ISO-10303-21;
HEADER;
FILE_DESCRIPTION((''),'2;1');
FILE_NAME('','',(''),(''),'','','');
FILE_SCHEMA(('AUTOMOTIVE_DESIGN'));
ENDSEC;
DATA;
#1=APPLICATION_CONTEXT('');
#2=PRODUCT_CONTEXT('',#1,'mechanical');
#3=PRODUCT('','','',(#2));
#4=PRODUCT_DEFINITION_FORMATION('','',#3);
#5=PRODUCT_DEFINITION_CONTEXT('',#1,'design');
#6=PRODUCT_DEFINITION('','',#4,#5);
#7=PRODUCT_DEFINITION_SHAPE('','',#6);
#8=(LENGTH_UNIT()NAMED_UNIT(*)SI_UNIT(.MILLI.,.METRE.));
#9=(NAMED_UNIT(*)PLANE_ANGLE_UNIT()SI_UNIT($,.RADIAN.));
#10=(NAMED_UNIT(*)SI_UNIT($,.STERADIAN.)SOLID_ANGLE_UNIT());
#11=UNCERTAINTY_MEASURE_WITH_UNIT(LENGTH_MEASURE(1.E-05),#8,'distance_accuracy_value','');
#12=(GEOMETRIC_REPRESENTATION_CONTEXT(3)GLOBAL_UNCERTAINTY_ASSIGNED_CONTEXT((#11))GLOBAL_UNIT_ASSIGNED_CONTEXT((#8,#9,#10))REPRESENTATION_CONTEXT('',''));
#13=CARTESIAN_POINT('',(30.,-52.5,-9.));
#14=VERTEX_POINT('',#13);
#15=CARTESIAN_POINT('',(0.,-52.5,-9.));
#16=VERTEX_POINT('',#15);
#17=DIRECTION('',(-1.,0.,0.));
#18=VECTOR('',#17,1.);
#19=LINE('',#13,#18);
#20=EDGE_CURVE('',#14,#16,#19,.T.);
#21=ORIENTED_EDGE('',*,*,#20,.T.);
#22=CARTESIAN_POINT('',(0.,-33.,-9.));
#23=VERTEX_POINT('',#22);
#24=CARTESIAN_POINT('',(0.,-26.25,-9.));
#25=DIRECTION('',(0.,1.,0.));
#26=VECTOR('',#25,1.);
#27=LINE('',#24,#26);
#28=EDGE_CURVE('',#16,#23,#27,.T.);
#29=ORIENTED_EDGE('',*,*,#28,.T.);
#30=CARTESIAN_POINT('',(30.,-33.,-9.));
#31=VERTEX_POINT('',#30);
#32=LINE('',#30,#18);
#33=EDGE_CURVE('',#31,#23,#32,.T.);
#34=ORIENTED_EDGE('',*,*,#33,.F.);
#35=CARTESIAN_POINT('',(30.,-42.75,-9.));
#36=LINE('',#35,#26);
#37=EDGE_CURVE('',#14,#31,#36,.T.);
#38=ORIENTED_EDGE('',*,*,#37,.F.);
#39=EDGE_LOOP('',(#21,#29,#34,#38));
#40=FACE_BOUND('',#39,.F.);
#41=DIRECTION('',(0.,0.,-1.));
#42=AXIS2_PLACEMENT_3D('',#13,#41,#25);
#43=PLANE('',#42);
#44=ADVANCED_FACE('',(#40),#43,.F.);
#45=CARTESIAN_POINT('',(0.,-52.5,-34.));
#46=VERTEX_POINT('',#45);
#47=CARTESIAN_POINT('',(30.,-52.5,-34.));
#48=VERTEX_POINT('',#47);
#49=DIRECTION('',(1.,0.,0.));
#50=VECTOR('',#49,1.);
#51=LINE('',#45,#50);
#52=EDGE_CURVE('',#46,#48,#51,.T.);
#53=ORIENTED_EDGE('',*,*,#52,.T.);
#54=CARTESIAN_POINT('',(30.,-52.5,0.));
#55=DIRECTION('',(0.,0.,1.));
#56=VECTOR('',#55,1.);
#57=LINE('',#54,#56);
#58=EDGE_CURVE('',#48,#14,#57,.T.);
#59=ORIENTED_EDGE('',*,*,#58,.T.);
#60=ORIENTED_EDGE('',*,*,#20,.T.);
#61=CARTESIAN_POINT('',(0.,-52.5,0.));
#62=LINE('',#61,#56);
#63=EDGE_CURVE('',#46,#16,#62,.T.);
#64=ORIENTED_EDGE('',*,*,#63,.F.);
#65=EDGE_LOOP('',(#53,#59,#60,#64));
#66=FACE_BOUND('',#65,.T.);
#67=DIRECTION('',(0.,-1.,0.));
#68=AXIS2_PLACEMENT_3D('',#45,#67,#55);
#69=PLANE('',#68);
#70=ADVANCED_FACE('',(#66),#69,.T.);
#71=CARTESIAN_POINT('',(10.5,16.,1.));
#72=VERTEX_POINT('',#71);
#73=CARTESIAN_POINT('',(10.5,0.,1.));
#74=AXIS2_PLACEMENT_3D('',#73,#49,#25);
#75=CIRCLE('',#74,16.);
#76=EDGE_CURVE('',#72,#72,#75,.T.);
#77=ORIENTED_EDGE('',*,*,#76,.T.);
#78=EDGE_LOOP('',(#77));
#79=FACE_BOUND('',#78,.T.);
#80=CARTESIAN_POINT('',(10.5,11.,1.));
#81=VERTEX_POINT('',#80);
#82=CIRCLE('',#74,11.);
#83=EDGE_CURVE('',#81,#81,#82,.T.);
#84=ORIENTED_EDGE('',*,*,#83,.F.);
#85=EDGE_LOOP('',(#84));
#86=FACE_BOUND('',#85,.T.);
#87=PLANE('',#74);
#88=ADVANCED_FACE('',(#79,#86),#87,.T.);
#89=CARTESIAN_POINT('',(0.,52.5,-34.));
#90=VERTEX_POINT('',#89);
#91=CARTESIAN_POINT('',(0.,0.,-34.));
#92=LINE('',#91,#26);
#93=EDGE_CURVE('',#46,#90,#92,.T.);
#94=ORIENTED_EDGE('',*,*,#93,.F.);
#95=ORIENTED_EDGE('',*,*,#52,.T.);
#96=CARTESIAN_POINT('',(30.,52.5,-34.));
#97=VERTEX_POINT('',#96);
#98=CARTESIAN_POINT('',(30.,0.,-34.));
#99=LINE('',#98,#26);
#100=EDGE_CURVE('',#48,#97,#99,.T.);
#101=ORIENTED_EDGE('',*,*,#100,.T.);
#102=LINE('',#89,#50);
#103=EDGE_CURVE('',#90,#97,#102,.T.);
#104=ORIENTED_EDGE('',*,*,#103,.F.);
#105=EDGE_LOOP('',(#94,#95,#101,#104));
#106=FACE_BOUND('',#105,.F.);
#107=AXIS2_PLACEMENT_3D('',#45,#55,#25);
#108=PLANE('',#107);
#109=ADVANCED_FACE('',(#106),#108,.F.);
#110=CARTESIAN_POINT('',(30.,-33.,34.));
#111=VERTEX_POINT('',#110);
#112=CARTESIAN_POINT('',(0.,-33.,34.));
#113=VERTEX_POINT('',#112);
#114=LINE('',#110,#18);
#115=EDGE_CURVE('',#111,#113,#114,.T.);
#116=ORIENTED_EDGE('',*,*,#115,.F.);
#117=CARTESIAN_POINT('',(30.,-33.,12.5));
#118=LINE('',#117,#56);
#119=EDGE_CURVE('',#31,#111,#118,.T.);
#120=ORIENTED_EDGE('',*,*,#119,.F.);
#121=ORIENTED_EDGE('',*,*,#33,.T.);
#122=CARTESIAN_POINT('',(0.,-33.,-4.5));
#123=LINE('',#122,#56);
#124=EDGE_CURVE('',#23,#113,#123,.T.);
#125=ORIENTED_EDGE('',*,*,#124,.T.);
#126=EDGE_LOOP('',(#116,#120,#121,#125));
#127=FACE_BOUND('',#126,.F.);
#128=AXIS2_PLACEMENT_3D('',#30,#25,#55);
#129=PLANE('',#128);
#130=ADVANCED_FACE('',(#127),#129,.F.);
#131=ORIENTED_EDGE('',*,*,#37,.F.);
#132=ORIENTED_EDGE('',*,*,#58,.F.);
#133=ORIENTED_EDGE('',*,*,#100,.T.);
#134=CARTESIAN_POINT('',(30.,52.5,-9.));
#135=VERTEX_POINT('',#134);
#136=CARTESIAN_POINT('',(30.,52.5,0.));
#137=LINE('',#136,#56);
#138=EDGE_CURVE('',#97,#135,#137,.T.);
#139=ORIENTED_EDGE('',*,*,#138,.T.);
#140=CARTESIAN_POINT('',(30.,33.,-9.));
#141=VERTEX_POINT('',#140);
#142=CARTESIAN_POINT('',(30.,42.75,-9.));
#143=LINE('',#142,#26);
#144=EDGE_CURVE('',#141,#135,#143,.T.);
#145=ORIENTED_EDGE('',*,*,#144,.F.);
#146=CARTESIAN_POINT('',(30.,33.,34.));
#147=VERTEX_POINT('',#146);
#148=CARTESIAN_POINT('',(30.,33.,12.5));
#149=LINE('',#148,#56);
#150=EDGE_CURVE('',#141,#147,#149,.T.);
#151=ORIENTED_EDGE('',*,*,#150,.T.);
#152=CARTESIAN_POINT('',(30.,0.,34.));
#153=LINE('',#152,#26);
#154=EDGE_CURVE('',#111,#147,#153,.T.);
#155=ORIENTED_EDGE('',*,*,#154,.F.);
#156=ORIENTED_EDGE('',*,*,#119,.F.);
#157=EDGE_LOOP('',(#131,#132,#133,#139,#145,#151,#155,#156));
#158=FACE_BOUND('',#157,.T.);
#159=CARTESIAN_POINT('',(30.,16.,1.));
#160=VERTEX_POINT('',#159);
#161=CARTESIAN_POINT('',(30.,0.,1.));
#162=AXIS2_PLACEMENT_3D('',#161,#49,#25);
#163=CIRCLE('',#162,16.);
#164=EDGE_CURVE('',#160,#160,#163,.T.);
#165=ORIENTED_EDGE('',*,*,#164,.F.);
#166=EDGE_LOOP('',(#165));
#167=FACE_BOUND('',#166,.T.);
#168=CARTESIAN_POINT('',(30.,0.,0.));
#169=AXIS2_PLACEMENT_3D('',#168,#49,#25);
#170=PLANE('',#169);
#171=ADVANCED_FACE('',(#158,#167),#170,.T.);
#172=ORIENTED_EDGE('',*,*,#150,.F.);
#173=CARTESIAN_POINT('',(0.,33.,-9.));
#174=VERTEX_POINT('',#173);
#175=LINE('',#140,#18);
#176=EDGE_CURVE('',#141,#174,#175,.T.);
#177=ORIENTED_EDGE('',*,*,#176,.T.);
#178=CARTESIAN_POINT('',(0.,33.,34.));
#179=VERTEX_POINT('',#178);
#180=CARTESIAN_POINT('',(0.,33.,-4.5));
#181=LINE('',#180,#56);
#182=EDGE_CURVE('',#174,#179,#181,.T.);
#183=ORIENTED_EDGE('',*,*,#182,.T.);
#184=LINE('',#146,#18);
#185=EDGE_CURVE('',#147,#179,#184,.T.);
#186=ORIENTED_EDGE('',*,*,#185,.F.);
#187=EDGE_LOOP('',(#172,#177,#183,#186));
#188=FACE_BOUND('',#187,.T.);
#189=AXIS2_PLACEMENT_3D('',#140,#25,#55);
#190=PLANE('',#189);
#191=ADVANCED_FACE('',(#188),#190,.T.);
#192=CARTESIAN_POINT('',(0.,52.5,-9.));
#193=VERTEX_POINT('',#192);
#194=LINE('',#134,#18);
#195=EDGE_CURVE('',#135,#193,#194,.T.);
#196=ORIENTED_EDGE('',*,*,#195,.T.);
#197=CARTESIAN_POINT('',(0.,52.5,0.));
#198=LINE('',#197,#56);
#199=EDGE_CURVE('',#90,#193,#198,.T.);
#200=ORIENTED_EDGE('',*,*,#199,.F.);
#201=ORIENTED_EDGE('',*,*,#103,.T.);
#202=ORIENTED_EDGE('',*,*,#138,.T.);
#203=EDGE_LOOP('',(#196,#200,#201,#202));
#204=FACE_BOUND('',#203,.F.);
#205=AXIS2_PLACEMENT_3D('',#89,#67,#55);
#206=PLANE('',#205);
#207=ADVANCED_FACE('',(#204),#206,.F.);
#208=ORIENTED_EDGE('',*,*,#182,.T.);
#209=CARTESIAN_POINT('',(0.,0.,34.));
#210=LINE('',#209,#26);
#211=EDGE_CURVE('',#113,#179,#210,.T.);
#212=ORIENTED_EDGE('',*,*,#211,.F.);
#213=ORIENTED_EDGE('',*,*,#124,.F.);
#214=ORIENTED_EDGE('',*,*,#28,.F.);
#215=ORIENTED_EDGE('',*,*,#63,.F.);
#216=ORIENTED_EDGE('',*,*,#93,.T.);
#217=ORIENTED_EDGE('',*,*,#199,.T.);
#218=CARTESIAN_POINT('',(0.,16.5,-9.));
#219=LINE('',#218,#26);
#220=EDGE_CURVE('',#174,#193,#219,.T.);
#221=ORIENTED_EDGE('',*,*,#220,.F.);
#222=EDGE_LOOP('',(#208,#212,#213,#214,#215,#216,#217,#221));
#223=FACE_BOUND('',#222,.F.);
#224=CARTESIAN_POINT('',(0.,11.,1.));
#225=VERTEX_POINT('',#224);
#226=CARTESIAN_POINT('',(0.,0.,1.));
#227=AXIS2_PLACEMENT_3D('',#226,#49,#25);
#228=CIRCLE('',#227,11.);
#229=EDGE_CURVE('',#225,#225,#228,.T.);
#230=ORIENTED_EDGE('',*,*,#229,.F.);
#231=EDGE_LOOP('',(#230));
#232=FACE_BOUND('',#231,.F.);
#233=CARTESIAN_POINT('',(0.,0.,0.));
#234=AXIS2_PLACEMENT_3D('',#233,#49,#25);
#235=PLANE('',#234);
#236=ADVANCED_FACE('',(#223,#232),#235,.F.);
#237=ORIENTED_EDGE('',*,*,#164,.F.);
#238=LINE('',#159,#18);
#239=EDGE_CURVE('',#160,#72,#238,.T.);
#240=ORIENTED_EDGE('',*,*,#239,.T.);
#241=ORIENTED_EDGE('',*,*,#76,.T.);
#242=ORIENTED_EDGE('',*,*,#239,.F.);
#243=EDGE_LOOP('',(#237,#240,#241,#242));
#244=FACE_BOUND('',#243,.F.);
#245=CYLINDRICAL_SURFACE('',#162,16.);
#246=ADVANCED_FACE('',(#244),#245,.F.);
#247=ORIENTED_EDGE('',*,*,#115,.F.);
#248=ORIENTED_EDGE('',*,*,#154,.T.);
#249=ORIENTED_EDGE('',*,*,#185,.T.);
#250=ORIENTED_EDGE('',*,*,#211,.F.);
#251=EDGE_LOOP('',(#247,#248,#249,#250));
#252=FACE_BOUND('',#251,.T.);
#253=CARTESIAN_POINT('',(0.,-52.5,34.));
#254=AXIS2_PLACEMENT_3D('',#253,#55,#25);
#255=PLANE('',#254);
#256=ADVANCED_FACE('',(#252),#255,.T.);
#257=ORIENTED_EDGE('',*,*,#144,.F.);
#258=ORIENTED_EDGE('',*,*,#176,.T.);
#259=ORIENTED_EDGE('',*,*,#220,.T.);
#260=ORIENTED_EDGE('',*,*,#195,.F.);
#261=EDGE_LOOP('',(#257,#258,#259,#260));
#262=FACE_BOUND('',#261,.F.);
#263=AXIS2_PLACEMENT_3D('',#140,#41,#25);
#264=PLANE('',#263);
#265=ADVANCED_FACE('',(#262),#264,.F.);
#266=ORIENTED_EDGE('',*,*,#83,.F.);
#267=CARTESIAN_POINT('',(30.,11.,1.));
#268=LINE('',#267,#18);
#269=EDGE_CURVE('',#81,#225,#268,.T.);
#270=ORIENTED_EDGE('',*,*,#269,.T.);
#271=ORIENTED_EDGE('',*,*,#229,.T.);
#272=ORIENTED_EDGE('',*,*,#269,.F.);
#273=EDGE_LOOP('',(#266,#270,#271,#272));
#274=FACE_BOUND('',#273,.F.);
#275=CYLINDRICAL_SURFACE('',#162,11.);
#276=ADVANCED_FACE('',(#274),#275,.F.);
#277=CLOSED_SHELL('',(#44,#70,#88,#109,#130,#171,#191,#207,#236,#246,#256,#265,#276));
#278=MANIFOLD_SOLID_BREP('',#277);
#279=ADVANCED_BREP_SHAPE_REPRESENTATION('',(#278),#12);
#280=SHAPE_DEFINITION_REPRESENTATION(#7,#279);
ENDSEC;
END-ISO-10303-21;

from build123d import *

# Parameters (mm, degrees)
F0_W      = 105
F0_H      = 68
F1_DEPTH  = 30
F2_W      = 19.5
F2_H      = 43
F3_DEPTH  = 30.001
F4_R      = 16
F4_R_2    = 11
F5_DEPTH  = 19.5
F5_FACE_R = 11
F6_DEPTH  = 30.001


with BuildPart() as f1:
    # F0 (on Right) → F1 (new body)
    with BuildSketch(Plane.YZ):
        Rectangle(F0_W, F0_H)
    extrude(amount=F1_DEPTH)

    # F2 (on face) → F3 (cut, through all)
    with BuildSketch(Plane.YZ.offset(30)):
        with Locations((-42.75, 12.5)):
            Rectangle(F2_W, F2_H)
        with Locations((42.75, 12.5)):
            Rectangle(F2_W, F2_H)
    extrude(amount=-F3_DEPTH, mode=Mode.SUBTRACT)

    # F4 (on face) → F5 (cut)
    with BuildSketch(Plane.YZ.offset(30)):
        with Locations((0, 1)):
            Circle(F4_R)
        with Locations((0, 1)):
            Circle(F4_R_2, mode=Mode.SUBTRACT)
    extrude(amount=-F5_DEPTH, mode=Mode.SUBTRACT)

    # F5_face (on face) → F6 (cut, through all)
    with BuildSketch(Plane(origin=(30, 0, 1), x_dir=(0, 1, 0), z_dir=(1, 0, 0))):
        Circle(F5_FACE_R)
    extrude(amount=-F6_DEPTH, mode=Mode.SUBTRACT)


solid = f1.part
